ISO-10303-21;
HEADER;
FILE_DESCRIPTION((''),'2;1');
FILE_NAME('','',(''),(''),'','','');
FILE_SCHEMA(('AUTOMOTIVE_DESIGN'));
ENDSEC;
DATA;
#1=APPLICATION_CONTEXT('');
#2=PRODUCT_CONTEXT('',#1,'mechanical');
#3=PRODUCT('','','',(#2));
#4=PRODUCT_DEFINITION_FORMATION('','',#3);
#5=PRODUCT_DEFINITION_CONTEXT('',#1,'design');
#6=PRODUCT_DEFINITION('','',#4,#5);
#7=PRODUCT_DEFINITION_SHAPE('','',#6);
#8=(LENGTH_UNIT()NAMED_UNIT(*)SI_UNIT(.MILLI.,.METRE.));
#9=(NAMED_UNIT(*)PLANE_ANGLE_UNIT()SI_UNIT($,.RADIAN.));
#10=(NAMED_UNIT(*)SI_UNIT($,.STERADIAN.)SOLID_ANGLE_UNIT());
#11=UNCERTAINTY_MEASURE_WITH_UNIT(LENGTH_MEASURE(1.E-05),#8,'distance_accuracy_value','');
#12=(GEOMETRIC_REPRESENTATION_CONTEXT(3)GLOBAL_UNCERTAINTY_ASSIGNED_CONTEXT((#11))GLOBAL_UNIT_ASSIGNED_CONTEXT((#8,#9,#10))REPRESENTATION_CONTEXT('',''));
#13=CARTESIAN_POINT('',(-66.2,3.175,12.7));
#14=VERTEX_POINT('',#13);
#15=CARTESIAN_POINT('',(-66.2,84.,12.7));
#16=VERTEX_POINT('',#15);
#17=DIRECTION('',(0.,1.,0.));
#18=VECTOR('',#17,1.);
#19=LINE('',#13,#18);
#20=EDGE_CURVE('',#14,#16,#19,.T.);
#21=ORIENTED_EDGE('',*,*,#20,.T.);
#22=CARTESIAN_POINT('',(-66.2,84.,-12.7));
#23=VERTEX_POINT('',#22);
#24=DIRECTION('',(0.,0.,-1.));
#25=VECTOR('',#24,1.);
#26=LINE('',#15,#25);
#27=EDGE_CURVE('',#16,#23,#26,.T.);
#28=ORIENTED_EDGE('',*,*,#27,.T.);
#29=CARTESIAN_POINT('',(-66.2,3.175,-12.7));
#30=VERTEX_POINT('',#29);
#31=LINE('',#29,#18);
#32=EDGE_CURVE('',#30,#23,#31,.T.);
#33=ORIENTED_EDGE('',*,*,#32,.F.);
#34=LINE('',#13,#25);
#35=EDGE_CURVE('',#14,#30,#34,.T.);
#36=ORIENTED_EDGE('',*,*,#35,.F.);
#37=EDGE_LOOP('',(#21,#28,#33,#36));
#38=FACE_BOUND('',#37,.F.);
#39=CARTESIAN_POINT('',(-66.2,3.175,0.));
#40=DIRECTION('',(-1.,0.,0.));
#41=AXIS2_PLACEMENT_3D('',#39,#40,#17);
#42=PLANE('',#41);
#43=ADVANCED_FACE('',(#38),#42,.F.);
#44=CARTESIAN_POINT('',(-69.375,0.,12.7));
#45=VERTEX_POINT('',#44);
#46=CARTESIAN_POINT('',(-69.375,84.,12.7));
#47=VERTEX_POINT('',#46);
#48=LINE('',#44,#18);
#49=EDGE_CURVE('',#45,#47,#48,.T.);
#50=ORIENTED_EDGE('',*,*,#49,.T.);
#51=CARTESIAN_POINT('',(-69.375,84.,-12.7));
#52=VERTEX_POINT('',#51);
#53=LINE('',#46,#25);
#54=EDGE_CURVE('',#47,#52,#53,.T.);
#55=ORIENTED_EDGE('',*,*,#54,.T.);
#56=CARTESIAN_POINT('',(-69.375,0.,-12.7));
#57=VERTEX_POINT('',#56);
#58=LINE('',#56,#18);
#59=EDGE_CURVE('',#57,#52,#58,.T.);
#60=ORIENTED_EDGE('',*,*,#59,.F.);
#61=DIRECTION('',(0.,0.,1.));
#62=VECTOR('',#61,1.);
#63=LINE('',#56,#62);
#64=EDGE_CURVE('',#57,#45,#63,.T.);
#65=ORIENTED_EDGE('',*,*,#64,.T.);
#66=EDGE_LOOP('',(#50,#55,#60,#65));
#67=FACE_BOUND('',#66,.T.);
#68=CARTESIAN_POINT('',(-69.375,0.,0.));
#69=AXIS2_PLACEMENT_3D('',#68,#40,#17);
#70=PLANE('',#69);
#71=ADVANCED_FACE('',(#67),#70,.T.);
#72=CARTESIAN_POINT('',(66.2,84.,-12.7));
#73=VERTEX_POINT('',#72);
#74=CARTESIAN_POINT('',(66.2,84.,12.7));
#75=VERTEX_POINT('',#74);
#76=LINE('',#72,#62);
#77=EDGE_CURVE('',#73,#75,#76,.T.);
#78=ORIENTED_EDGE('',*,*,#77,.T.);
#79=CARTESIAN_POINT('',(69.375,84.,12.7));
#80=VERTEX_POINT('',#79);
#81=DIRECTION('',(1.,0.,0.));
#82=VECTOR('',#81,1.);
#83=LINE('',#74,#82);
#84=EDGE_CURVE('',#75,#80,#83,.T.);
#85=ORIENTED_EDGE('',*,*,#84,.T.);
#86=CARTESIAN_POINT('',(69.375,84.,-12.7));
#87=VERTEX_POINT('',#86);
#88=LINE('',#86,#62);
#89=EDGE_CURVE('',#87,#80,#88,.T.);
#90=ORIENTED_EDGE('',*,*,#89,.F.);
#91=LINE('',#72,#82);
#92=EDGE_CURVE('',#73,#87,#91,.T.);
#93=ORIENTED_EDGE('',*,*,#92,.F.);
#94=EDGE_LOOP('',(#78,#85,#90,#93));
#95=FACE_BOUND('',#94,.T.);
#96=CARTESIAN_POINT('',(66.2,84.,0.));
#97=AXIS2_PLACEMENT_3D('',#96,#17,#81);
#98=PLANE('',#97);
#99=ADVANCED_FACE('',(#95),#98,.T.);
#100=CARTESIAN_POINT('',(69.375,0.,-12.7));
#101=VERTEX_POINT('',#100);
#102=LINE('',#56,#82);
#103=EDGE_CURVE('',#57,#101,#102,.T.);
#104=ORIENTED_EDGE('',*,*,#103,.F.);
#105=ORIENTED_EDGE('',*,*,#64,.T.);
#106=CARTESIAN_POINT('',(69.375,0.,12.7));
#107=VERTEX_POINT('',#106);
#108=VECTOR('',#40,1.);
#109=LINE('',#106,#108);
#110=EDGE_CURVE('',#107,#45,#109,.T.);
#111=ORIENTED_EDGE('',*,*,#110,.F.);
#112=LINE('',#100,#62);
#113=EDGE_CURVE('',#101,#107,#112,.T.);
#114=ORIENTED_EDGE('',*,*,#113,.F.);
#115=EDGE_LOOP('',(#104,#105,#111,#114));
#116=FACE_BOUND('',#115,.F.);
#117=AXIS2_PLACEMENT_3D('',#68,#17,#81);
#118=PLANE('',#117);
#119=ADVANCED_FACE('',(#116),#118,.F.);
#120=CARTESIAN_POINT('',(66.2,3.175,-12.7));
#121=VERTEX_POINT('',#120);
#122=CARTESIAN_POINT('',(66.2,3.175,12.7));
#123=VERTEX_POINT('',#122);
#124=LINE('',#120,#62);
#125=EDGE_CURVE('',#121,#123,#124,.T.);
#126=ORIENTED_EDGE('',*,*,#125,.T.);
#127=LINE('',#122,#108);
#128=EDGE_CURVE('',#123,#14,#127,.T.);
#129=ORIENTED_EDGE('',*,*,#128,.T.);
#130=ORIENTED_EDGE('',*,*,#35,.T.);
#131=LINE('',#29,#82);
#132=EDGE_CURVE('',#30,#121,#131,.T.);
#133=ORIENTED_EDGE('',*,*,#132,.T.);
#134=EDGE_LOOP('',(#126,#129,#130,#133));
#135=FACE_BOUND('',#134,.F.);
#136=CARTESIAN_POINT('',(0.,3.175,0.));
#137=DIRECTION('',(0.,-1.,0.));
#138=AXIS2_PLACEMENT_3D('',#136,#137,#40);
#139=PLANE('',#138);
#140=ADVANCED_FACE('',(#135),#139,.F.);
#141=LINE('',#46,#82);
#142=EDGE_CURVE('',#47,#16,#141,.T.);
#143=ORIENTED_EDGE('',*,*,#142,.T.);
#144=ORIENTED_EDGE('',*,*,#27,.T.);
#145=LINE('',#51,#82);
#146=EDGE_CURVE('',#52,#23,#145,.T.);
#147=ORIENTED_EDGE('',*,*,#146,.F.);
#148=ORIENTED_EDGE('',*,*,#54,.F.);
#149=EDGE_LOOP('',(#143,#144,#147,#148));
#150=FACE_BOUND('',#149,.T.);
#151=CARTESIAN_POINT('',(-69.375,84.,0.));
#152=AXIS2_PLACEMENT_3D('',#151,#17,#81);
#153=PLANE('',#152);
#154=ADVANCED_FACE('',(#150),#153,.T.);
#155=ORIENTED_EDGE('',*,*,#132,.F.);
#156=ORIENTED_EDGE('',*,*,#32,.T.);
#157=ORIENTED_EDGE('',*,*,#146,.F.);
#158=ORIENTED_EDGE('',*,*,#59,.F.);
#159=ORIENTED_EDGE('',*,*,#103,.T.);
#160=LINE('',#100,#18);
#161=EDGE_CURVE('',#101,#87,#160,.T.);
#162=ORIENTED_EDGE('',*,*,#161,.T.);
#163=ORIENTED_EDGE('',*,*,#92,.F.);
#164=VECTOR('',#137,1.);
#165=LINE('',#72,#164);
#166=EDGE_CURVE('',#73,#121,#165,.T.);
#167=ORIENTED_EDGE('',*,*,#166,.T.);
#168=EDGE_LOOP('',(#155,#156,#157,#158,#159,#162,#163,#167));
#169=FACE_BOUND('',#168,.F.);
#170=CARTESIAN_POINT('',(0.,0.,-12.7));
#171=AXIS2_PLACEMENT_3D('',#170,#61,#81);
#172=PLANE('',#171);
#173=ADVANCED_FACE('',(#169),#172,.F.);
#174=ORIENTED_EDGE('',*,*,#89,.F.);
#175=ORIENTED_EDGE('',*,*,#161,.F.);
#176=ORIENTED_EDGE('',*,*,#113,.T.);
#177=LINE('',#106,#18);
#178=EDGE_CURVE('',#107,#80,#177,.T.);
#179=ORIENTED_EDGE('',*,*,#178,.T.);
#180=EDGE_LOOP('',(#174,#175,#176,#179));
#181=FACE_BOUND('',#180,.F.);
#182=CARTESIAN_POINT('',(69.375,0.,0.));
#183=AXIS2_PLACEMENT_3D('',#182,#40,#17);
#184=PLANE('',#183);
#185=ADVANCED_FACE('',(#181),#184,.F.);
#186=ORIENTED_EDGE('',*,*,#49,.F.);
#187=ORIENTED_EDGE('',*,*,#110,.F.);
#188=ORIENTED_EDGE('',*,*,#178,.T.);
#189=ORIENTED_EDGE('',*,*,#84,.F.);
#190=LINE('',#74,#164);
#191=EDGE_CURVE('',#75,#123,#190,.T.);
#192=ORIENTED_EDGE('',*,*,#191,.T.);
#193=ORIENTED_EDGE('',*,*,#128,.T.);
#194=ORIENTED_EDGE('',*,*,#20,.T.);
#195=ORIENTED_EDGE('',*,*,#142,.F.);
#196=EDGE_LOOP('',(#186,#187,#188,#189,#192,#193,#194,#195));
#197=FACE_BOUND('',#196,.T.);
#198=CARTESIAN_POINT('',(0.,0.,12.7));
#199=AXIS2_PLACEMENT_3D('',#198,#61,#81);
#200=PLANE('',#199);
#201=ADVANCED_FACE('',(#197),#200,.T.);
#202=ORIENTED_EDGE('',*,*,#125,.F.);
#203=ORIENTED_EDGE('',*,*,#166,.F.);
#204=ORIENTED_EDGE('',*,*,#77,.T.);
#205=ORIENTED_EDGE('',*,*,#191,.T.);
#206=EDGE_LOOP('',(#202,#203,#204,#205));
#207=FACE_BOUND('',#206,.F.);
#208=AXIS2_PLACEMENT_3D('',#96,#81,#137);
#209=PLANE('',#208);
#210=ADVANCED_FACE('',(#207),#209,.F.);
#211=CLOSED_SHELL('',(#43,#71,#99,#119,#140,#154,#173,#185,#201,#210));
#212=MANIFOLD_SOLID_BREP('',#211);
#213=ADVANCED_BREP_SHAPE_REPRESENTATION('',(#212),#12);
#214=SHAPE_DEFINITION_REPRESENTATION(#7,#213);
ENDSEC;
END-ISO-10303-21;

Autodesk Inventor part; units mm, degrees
ref_plane "YZ Plane" through (0, 0, 0) normal (1, 0, 0) x (0, 1, 0)
ref_plane "XZ Plane" through (0, 0, 0) normal (0, 1, 0) x (-1, 0, 0)
ref_plane "XY Plane" through (0, 0, 0) normal (0, 0, 1) x (1, 0, 0)
sketch "Sketch1" plane through (0, 0, 0) normal (0, 0, 1) x (1, 0, 0)
  line L0 (-69.375, 0) -> (69.375, 0)
  line L1 (-69.375, 0) -> (-69.375, 84)
  line L2 (0, 0) -> (0, 9.6097)
  line L3 (69.375, 0) -> (69.375, 84)
  line L4 (66.2, 84) -> (66.2, 3.175)
  line L5 (66.2, 3.175) -> (-66.2, 3.175)
  line L6 (-66.2, 3.175) -> (-66.2, 84)
  line L7 (-69.375, 84) -> (-66.2, 84)
  line L8 (66.2, 84) -> (69.375, 84)
  dimension "d0" = 3.175
  dimension "d1" = 132.4
  dimension "d2" = 90
  dimension "d5" = 84
extrude "Extrusion1" add sketch "Sketch1" along normal mid plane 25.4
properties part number "SOPORTE_METAL_PAP" material "Steel, Mild, Welded"
